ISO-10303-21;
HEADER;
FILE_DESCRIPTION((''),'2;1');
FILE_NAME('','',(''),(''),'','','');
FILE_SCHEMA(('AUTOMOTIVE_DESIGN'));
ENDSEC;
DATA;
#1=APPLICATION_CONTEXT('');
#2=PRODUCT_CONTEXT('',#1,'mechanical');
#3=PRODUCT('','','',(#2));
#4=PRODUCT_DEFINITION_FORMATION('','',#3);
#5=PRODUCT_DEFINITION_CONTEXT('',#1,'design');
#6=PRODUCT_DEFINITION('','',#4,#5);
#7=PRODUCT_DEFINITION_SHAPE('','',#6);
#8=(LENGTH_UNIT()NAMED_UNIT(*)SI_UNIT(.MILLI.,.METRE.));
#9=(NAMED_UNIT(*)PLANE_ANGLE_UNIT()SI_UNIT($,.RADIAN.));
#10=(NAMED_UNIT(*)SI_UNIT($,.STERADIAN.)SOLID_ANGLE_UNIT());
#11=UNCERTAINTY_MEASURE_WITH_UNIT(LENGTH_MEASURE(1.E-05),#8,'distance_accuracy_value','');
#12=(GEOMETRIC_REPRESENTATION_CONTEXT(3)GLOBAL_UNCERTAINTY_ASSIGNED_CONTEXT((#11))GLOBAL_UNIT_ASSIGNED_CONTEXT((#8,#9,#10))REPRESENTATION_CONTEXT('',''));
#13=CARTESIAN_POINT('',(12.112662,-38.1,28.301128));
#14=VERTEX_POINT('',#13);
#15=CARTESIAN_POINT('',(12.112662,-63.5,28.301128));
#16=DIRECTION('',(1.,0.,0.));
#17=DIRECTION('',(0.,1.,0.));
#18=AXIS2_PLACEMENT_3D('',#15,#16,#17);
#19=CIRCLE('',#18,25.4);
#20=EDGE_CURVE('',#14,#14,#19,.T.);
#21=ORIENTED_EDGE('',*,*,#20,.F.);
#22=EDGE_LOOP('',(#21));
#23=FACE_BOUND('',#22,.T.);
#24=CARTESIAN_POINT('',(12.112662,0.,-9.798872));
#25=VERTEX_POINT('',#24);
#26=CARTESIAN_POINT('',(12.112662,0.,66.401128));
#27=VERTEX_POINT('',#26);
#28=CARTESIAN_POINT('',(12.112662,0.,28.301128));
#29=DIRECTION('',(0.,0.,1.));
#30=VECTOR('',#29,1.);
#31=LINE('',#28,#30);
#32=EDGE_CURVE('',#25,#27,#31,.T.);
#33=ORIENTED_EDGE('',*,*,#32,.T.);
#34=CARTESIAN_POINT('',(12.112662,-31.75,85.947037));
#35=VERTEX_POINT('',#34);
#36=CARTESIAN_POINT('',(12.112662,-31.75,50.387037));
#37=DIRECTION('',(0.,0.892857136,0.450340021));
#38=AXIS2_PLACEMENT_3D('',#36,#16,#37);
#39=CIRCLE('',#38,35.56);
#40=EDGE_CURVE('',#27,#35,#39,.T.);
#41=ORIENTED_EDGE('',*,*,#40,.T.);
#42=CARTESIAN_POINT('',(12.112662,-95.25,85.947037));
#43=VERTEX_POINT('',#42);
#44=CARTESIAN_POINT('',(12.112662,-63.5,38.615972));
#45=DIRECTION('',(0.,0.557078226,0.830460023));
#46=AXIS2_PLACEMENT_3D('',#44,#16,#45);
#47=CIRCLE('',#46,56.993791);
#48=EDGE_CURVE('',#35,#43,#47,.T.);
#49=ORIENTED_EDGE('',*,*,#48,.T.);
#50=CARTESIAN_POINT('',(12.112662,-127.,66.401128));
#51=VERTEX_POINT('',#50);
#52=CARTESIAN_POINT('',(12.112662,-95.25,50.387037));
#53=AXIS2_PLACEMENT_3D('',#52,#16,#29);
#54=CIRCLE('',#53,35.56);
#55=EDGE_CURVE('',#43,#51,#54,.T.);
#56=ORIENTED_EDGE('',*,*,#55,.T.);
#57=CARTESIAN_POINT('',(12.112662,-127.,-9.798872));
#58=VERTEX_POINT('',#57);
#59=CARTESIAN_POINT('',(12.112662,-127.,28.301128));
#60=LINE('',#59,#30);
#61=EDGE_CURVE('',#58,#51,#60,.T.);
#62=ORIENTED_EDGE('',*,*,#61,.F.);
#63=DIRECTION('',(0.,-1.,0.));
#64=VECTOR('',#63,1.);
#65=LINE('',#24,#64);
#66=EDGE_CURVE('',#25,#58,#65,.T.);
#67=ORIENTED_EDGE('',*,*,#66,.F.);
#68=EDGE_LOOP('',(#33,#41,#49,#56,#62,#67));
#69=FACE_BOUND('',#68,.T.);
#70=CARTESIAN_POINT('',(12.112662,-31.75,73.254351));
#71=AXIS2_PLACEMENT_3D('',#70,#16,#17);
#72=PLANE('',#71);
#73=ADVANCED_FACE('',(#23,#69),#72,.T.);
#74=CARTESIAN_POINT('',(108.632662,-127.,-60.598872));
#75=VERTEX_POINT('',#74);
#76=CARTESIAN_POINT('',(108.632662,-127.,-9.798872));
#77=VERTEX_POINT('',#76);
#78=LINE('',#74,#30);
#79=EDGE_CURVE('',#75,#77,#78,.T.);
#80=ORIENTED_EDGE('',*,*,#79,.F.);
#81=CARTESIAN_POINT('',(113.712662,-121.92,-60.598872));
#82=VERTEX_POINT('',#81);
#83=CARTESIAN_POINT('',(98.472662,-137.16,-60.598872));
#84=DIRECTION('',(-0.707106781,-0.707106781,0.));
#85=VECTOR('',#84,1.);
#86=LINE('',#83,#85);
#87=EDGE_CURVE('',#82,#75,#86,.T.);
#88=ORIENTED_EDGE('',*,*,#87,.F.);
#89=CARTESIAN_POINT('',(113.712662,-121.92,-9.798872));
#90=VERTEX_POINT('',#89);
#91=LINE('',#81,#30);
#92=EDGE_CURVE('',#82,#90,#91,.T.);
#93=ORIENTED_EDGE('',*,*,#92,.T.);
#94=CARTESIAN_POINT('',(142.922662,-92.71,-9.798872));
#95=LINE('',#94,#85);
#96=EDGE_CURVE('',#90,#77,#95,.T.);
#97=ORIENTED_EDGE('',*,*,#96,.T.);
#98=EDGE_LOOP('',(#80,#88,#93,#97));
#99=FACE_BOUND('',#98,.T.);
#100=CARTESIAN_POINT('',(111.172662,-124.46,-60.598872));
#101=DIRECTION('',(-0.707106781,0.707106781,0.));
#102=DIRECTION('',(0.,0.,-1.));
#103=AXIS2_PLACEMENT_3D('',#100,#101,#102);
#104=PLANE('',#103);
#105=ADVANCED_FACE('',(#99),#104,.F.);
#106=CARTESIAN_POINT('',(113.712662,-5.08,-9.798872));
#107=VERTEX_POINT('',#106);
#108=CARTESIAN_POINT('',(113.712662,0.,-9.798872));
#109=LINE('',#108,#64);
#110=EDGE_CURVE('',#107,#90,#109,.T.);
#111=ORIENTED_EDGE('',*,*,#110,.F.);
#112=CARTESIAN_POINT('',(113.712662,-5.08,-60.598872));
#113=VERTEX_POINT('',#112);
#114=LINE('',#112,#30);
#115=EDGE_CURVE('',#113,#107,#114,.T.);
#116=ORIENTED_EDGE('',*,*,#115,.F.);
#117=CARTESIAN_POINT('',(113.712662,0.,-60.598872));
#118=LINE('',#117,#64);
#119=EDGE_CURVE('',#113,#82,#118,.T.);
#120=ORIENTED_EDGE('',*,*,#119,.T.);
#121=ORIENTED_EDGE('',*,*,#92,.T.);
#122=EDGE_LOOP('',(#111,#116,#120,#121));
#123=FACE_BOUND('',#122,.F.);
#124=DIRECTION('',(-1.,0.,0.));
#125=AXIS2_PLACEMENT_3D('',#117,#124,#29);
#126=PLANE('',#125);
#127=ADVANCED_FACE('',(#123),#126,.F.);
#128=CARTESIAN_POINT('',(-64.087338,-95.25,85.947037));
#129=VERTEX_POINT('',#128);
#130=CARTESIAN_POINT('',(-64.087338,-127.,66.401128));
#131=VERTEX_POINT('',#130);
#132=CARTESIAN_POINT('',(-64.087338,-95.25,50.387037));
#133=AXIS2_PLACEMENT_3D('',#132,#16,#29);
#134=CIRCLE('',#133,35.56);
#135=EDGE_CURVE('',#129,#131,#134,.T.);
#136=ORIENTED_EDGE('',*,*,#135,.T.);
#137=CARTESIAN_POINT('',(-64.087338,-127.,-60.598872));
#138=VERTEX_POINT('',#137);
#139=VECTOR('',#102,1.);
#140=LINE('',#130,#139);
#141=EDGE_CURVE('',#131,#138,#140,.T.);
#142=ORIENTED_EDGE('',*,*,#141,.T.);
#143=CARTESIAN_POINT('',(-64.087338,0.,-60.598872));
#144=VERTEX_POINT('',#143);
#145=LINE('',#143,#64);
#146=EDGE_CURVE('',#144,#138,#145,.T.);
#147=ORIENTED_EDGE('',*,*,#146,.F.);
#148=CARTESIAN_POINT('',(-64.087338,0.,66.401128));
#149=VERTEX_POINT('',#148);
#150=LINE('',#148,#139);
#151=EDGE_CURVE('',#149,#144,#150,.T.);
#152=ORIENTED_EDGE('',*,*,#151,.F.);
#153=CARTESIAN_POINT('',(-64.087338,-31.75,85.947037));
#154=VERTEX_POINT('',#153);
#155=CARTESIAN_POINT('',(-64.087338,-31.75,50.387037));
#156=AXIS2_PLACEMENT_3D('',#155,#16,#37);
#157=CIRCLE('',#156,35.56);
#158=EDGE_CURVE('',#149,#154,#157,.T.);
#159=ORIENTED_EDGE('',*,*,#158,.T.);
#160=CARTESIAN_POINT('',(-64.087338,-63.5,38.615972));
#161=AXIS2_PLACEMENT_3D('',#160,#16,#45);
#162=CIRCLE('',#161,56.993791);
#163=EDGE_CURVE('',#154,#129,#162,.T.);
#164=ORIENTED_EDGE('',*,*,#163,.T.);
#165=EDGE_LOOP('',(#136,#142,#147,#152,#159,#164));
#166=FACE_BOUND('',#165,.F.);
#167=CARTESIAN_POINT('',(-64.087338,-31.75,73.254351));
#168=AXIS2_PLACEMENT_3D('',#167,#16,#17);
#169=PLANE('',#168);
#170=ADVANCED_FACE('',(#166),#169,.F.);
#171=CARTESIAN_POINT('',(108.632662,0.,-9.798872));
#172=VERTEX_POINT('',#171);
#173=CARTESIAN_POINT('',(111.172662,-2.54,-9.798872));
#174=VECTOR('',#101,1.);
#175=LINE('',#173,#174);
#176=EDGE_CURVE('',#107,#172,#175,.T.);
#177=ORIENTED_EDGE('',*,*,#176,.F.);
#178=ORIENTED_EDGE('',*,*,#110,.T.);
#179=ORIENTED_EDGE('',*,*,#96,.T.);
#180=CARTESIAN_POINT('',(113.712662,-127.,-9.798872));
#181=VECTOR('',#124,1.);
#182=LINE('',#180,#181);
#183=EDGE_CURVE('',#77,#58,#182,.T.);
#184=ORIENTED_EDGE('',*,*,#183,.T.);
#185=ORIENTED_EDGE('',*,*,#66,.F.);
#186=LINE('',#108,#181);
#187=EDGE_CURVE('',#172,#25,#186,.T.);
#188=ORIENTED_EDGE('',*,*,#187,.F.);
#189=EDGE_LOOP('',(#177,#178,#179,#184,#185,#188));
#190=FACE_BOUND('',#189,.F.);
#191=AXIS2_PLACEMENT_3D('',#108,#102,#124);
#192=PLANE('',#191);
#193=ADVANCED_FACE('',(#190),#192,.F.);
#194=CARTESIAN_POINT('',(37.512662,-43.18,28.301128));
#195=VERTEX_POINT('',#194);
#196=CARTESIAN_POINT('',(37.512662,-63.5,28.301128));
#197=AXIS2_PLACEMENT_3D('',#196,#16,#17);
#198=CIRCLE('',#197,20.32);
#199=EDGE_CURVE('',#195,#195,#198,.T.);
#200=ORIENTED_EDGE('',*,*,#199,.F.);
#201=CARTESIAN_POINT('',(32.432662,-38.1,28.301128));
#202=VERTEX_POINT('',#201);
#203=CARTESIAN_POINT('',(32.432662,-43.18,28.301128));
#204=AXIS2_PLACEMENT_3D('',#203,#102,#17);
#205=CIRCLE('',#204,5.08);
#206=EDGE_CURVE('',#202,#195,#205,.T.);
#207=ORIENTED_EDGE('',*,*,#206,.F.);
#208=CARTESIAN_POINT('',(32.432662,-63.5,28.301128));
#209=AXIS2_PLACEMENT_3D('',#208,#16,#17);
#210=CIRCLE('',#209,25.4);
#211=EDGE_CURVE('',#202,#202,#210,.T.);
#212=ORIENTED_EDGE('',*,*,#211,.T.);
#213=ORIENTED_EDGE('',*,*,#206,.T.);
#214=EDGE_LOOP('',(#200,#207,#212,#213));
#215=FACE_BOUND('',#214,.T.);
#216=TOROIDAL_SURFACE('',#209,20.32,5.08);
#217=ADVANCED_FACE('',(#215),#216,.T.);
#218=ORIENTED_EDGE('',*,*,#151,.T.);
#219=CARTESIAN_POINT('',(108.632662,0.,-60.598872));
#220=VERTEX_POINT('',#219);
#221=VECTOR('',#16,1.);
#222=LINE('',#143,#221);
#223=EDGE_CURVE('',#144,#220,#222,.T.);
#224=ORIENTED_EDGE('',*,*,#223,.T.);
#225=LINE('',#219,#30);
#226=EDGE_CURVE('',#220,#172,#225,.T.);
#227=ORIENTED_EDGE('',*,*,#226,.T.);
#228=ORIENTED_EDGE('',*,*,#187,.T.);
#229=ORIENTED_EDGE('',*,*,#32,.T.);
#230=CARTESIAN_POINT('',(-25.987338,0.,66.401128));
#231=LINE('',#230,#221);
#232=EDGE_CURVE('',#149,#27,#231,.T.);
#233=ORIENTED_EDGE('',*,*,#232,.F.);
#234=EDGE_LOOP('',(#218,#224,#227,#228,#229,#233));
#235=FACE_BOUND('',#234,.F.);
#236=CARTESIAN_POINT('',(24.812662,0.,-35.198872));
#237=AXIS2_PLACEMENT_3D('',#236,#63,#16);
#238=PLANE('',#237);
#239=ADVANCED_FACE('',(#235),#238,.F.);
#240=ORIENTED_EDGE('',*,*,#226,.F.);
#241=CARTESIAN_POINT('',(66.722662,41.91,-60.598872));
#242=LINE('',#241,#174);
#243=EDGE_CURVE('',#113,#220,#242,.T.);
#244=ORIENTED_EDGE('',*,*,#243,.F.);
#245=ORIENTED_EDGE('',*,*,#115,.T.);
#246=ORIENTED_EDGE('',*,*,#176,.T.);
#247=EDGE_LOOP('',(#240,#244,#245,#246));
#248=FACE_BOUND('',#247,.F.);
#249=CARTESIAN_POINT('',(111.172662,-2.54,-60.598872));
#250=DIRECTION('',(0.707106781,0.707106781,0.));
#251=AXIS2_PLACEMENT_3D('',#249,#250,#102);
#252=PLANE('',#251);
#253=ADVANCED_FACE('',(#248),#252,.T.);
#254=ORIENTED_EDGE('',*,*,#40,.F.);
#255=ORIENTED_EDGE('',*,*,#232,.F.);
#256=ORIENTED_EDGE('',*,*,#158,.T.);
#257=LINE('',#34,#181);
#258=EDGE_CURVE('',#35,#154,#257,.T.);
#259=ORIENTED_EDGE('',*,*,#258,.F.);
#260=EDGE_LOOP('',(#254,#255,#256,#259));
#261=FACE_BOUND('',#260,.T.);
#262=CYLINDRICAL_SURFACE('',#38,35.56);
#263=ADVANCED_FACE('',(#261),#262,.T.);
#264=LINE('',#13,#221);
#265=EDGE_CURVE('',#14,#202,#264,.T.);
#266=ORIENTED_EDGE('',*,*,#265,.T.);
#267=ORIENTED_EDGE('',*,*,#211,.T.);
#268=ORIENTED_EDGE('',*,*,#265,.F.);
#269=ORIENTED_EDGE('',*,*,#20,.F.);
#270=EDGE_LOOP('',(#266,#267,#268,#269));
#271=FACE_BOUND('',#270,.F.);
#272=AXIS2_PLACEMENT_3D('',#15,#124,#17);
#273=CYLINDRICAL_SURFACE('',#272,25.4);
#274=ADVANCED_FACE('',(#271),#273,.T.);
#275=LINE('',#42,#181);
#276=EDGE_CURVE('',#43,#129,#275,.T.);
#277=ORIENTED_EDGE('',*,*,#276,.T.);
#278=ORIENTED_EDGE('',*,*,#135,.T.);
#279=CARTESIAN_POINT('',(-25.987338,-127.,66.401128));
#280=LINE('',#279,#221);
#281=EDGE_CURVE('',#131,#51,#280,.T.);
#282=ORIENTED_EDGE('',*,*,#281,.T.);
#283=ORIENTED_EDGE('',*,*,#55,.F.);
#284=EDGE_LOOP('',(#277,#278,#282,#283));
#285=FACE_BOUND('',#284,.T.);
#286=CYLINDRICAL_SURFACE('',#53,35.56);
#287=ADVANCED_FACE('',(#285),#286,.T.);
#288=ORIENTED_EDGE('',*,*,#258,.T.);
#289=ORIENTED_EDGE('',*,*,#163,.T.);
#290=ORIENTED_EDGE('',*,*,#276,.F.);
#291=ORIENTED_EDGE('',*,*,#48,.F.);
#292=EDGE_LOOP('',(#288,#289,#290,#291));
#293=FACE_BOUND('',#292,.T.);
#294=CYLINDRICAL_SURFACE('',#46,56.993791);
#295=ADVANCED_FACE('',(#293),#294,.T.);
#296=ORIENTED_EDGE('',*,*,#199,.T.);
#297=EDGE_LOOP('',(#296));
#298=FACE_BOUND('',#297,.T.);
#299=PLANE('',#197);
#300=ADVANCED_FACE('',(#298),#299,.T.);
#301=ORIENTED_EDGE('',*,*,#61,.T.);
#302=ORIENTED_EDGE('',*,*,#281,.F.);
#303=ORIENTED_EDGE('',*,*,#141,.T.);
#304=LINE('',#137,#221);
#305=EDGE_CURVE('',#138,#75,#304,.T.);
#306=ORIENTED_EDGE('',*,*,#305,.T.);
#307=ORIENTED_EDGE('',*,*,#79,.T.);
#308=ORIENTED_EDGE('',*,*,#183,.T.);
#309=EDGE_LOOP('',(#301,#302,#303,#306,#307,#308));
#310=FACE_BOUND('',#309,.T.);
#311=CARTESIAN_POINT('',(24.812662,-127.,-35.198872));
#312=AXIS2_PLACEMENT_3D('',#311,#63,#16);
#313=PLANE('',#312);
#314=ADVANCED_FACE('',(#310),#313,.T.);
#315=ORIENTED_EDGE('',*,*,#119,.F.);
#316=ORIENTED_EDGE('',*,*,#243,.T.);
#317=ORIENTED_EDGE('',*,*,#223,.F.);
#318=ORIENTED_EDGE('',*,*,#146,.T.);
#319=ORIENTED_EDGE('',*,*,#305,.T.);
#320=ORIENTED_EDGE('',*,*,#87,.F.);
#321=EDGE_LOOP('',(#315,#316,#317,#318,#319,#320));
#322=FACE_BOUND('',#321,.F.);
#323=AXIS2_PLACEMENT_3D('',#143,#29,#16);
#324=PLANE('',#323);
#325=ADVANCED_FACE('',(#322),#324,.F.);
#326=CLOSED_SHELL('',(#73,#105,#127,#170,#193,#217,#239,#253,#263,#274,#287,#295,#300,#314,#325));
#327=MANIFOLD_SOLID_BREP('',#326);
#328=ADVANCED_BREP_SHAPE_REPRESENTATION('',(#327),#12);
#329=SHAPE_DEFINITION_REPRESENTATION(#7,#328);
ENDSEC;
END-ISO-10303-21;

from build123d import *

# Parameters (mm, degrees)
F0_W     = 76.2
F0_H     = 76.2
F1_DEPTH = 127
F2_SIZE  = 5.08
F3_R     = 25.4
F4_DEPTH = 25.4
F5_R     = 5.08
F6_DEPTH = 76.2


with BuildPart() as f1:
    # F0 (on Front) → F1 (new body)
    with BuildSketch(Plane.XZ):
        Polygon((12.112662, -9.798872), (-64.087338, -9.798872), (-64.087338, -60.598872), (113.712662, -60.598872), (113.712662, -9.798872), align=None)
        with Locations((-25.987338, 28.301128)):
            Rectangle(F0_W, F0_H)
    extrude(amount=F1_DEPTH)

    # F2
    f2_edges = [f1.edges().sort_by_distance(p)[0] for p in [
        (113.712662, -127, -35.198872),
        (113.712662, 0, -35.198872),
    ]]
    chamfer(f2_edges, length=F2_SIZE)

    # F3 (on face) → F4 (join)
    with BuildSketch(Plane.YZ.offset(12.112662)):
        with Locations((-63.5, 28.301128)):
            Circle(F3_R)
    extrude(amount=F4_DEPTH)

    # F5
    f5_edges = [f1.edges().sort_by_distance(p)[0] for p in [
        (37.512662, -88.9, 28.301128),
    ]]
    fillet(f5_edges, radius=F5_R)

    # F3 (on face) → F6 (join)
    with BuildSketch(Plane.YZ.offset(12.112662)):
        with BuildLine():
            ThreePointArc((-31.75, 85.947037), (-50.392056, 80.668836), (-63.5, 66.401128))
            Line((-63.5, 66.401128), (0, 66.401128))
            ThreePointArc((0, 66.401128), (-13.107944, 80.668836), (-31.75, 85.947037))
        make_face()
        with BuildLine():
            ThreePointArc((-95.25, 85.947037), (-76.607944, 80.668836), (-63.5, 66.401128))
            ThreePointArc((-63.5, 66.401128), (-50.392056, 80.668836), (-31.75, 85.947037))
            ThreePointArc((-31.75, 85.947037), (-63.5, 95.609763), (-95.25, 85.947037))
        make_face()
        with BuildLine():
            Line((-127, 66.401128), (-63.5, 66.401128))
            ThreePointArc((-63.5, 66.401128), (-76.607944, 80.668836), (-95.25, 85.947037))
            ThreePointArc((-95.25, 85.947037), (-113.892056, 80.668836), (-127, 66.401128))
        make_face()
    extrude(amount=-F6_DEPTH)


solid = f1.part
